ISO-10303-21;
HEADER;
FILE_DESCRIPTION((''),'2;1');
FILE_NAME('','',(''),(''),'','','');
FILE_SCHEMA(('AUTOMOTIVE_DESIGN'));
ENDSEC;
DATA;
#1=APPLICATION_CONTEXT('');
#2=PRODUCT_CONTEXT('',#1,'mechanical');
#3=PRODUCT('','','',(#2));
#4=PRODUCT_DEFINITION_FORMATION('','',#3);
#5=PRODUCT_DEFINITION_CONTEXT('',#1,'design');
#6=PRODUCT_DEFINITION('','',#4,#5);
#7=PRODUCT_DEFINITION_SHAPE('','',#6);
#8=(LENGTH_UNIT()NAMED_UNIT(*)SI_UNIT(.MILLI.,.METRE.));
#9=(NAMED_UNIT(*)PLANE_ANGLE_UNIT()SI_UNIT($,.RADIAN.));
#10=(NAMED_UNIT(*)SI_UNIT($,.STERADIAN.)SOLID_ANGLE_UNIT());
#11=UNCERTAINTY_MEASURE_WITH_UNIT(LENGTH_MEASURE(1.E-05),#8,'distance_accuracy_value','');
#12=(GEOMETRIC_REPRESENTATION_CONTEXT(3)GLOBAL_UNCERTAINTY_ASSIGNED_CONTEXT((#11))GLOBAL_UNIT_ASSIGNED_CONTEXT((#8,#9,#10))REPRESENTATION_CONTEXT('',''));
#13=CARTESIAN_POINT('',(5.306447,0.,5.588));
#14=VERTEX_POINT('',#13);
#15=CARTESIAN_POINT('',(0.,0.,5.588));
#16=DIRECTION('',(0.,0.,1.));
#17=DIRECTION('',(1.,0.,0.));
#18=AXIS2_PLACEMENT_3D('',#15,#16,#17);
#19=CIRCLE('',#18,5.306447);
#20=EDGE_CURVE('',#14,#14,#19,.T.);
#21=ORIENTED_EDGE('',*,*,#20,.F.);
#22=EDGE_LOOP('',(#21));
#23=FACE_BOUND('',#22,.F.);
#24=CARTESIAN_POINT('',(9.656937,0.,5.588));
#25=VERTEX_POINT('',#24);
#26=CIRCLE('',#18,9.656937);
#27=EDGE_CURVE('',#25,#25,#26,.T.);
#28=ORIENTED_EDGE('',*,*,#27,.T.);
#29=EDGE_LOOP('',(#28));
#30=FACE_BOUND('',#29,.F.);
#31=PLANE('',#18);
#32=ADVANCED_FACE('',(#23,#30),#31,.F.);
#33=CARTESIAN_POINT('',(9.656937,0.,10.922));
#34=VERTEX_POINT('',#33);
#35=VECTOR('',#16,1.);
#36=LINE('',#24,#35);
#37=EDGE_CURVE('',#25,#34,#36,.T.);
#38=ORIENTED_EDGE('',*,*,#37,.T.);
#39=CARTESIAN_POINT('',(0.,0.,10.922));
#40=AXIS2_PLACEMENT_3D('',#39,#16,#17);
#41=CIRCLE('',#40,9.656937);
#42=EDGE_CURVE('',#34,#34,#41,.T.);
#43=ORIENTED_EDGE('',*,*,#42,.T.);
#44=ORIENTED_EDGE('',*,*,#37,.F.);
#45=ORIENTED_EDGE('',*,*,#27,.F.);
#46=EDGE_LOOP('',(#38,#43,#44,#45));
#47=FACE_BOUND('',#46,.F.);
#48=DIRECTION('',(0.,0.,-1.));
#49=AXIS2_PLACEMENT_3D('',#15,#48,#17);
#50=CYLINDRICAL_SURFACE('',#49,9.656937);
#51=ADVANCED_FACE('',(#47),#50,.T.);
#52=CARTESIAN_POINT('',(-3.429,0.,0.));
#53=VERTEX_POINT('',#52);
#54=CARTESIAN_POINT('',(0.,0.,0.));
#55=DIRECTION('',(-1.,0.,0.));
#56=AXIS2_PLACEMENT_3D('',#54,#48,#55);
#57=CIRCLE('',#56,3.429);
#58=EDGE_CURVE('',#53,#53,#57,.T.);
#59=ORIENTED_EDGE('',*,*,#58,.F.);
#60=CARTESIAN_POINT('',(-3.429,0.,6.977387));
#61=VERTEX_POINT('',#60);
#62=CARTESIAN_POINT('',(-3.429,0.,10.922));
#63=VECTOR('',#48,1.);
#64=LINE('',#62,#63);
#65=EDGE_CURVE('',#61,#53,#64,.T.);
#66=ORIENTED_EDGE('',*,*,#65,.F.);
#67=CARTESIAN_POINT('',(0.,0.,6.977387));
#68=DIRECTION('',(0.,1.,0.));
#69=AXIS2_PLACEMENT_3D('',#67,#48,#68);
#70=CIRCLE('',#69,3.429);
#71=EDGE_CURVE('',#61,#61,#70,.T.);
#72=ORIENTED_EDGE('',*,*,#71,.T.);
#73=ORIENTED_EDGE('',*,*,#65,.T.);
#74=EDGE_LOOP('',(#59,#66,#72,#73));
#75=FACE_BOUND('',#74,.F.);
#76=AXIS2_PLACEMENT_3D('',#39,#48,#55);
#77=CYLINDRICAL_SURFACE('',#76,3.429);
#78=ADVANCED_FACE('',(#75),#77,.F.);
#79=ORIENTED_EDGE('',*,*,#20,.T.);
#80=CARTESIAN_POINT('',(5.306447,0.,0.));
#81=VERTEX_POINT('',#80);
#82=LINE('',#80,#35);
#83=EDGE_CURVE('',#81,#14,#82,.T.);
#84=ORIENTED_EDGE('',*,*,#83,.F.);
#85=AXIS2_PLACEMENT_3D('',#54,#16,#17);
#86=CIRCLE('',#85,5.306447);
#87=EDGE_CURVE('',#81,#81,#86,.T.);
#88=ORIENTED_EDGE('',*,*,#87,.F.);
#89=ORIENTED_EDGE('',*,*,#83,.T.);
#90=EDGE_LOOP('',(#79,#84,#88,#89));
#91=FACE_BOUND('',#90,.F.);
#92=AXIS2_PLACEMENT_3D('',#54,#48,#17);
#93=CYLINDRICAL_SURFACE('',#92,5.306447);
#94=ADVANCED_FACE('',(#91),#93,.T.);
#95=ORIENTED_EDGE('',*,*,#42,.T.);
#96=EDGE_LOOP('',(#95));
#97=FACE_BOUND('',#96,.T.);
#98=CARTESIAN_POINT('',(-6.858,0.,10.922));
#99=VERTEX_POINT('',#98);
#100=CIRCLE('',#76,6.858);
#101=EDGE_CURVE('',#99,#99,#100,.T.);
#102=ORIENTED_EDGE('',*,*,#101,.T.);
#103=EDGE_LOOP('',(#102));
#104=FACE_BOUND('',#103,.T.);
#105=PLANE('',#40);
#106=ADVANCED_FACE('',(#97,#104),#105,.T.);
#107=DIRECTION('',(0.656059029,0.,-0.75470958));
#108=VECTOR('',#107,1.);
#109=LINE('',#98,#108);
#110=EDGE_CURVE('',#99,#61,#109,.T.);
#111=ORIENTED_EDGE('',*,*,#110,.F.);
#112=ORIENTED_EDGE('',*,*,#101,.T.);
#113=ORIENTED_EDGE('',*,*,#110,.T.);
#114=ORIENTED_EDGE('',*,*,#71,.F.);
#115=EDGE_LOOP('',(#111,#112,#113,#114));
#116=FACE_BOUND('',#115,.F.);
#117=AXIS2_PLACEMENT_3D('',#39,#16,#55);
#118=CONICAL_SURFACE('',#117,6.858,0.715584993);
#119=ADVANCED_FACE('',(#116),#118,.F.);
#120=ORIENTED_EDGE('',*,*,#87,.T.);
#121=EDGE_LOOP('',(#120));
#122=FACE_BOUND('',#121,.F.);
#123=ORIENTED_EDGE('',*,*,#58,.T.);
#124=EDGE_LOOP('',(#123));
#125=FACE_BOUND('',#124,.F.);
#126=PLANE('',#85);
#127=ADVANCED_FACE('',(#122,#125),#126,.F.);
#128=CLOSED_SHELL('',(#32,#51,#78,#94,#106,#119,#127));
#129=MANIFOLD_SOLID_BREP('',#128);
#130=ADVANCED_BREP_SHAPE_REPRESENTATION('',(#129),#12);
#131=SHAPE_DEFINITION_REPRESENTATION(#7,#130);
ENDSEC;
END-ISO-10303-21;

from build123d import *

# Parameters (mm, degrees)
F0_R           = 5.306447
F1_DEPTH       = 5.588
F2_R           = 9.656937
F3_DEPTH       = 5.334
F5_D           = 6.858
F5_CSINK_D     = 13.716
F5_CSINK_ANGLE = 82


with BuildPart() as f1:
    # F0 (on Top) → F1 (new body)
    with BuildSketch(Plane.XY):
        Circle(F0_R)
    extrude(amount=F1_DEPTH)

    # F2 (on face) → F3 (join)
    with BuildSketch(Plane.XY.offset(5.588)):
        Circle(F2_R)
    extrude(amount=F3_DEPTH)

    # F5 (through all)
    with Locations(Plane.XY.offset(10.922)):
        with Locations((0, 0)):
            CounterSinkHole(F5_D / 2, F5_CSINK_D / 2, counter_sink_angle=F5_CSINK_ANGLE)


solid = f1.part
